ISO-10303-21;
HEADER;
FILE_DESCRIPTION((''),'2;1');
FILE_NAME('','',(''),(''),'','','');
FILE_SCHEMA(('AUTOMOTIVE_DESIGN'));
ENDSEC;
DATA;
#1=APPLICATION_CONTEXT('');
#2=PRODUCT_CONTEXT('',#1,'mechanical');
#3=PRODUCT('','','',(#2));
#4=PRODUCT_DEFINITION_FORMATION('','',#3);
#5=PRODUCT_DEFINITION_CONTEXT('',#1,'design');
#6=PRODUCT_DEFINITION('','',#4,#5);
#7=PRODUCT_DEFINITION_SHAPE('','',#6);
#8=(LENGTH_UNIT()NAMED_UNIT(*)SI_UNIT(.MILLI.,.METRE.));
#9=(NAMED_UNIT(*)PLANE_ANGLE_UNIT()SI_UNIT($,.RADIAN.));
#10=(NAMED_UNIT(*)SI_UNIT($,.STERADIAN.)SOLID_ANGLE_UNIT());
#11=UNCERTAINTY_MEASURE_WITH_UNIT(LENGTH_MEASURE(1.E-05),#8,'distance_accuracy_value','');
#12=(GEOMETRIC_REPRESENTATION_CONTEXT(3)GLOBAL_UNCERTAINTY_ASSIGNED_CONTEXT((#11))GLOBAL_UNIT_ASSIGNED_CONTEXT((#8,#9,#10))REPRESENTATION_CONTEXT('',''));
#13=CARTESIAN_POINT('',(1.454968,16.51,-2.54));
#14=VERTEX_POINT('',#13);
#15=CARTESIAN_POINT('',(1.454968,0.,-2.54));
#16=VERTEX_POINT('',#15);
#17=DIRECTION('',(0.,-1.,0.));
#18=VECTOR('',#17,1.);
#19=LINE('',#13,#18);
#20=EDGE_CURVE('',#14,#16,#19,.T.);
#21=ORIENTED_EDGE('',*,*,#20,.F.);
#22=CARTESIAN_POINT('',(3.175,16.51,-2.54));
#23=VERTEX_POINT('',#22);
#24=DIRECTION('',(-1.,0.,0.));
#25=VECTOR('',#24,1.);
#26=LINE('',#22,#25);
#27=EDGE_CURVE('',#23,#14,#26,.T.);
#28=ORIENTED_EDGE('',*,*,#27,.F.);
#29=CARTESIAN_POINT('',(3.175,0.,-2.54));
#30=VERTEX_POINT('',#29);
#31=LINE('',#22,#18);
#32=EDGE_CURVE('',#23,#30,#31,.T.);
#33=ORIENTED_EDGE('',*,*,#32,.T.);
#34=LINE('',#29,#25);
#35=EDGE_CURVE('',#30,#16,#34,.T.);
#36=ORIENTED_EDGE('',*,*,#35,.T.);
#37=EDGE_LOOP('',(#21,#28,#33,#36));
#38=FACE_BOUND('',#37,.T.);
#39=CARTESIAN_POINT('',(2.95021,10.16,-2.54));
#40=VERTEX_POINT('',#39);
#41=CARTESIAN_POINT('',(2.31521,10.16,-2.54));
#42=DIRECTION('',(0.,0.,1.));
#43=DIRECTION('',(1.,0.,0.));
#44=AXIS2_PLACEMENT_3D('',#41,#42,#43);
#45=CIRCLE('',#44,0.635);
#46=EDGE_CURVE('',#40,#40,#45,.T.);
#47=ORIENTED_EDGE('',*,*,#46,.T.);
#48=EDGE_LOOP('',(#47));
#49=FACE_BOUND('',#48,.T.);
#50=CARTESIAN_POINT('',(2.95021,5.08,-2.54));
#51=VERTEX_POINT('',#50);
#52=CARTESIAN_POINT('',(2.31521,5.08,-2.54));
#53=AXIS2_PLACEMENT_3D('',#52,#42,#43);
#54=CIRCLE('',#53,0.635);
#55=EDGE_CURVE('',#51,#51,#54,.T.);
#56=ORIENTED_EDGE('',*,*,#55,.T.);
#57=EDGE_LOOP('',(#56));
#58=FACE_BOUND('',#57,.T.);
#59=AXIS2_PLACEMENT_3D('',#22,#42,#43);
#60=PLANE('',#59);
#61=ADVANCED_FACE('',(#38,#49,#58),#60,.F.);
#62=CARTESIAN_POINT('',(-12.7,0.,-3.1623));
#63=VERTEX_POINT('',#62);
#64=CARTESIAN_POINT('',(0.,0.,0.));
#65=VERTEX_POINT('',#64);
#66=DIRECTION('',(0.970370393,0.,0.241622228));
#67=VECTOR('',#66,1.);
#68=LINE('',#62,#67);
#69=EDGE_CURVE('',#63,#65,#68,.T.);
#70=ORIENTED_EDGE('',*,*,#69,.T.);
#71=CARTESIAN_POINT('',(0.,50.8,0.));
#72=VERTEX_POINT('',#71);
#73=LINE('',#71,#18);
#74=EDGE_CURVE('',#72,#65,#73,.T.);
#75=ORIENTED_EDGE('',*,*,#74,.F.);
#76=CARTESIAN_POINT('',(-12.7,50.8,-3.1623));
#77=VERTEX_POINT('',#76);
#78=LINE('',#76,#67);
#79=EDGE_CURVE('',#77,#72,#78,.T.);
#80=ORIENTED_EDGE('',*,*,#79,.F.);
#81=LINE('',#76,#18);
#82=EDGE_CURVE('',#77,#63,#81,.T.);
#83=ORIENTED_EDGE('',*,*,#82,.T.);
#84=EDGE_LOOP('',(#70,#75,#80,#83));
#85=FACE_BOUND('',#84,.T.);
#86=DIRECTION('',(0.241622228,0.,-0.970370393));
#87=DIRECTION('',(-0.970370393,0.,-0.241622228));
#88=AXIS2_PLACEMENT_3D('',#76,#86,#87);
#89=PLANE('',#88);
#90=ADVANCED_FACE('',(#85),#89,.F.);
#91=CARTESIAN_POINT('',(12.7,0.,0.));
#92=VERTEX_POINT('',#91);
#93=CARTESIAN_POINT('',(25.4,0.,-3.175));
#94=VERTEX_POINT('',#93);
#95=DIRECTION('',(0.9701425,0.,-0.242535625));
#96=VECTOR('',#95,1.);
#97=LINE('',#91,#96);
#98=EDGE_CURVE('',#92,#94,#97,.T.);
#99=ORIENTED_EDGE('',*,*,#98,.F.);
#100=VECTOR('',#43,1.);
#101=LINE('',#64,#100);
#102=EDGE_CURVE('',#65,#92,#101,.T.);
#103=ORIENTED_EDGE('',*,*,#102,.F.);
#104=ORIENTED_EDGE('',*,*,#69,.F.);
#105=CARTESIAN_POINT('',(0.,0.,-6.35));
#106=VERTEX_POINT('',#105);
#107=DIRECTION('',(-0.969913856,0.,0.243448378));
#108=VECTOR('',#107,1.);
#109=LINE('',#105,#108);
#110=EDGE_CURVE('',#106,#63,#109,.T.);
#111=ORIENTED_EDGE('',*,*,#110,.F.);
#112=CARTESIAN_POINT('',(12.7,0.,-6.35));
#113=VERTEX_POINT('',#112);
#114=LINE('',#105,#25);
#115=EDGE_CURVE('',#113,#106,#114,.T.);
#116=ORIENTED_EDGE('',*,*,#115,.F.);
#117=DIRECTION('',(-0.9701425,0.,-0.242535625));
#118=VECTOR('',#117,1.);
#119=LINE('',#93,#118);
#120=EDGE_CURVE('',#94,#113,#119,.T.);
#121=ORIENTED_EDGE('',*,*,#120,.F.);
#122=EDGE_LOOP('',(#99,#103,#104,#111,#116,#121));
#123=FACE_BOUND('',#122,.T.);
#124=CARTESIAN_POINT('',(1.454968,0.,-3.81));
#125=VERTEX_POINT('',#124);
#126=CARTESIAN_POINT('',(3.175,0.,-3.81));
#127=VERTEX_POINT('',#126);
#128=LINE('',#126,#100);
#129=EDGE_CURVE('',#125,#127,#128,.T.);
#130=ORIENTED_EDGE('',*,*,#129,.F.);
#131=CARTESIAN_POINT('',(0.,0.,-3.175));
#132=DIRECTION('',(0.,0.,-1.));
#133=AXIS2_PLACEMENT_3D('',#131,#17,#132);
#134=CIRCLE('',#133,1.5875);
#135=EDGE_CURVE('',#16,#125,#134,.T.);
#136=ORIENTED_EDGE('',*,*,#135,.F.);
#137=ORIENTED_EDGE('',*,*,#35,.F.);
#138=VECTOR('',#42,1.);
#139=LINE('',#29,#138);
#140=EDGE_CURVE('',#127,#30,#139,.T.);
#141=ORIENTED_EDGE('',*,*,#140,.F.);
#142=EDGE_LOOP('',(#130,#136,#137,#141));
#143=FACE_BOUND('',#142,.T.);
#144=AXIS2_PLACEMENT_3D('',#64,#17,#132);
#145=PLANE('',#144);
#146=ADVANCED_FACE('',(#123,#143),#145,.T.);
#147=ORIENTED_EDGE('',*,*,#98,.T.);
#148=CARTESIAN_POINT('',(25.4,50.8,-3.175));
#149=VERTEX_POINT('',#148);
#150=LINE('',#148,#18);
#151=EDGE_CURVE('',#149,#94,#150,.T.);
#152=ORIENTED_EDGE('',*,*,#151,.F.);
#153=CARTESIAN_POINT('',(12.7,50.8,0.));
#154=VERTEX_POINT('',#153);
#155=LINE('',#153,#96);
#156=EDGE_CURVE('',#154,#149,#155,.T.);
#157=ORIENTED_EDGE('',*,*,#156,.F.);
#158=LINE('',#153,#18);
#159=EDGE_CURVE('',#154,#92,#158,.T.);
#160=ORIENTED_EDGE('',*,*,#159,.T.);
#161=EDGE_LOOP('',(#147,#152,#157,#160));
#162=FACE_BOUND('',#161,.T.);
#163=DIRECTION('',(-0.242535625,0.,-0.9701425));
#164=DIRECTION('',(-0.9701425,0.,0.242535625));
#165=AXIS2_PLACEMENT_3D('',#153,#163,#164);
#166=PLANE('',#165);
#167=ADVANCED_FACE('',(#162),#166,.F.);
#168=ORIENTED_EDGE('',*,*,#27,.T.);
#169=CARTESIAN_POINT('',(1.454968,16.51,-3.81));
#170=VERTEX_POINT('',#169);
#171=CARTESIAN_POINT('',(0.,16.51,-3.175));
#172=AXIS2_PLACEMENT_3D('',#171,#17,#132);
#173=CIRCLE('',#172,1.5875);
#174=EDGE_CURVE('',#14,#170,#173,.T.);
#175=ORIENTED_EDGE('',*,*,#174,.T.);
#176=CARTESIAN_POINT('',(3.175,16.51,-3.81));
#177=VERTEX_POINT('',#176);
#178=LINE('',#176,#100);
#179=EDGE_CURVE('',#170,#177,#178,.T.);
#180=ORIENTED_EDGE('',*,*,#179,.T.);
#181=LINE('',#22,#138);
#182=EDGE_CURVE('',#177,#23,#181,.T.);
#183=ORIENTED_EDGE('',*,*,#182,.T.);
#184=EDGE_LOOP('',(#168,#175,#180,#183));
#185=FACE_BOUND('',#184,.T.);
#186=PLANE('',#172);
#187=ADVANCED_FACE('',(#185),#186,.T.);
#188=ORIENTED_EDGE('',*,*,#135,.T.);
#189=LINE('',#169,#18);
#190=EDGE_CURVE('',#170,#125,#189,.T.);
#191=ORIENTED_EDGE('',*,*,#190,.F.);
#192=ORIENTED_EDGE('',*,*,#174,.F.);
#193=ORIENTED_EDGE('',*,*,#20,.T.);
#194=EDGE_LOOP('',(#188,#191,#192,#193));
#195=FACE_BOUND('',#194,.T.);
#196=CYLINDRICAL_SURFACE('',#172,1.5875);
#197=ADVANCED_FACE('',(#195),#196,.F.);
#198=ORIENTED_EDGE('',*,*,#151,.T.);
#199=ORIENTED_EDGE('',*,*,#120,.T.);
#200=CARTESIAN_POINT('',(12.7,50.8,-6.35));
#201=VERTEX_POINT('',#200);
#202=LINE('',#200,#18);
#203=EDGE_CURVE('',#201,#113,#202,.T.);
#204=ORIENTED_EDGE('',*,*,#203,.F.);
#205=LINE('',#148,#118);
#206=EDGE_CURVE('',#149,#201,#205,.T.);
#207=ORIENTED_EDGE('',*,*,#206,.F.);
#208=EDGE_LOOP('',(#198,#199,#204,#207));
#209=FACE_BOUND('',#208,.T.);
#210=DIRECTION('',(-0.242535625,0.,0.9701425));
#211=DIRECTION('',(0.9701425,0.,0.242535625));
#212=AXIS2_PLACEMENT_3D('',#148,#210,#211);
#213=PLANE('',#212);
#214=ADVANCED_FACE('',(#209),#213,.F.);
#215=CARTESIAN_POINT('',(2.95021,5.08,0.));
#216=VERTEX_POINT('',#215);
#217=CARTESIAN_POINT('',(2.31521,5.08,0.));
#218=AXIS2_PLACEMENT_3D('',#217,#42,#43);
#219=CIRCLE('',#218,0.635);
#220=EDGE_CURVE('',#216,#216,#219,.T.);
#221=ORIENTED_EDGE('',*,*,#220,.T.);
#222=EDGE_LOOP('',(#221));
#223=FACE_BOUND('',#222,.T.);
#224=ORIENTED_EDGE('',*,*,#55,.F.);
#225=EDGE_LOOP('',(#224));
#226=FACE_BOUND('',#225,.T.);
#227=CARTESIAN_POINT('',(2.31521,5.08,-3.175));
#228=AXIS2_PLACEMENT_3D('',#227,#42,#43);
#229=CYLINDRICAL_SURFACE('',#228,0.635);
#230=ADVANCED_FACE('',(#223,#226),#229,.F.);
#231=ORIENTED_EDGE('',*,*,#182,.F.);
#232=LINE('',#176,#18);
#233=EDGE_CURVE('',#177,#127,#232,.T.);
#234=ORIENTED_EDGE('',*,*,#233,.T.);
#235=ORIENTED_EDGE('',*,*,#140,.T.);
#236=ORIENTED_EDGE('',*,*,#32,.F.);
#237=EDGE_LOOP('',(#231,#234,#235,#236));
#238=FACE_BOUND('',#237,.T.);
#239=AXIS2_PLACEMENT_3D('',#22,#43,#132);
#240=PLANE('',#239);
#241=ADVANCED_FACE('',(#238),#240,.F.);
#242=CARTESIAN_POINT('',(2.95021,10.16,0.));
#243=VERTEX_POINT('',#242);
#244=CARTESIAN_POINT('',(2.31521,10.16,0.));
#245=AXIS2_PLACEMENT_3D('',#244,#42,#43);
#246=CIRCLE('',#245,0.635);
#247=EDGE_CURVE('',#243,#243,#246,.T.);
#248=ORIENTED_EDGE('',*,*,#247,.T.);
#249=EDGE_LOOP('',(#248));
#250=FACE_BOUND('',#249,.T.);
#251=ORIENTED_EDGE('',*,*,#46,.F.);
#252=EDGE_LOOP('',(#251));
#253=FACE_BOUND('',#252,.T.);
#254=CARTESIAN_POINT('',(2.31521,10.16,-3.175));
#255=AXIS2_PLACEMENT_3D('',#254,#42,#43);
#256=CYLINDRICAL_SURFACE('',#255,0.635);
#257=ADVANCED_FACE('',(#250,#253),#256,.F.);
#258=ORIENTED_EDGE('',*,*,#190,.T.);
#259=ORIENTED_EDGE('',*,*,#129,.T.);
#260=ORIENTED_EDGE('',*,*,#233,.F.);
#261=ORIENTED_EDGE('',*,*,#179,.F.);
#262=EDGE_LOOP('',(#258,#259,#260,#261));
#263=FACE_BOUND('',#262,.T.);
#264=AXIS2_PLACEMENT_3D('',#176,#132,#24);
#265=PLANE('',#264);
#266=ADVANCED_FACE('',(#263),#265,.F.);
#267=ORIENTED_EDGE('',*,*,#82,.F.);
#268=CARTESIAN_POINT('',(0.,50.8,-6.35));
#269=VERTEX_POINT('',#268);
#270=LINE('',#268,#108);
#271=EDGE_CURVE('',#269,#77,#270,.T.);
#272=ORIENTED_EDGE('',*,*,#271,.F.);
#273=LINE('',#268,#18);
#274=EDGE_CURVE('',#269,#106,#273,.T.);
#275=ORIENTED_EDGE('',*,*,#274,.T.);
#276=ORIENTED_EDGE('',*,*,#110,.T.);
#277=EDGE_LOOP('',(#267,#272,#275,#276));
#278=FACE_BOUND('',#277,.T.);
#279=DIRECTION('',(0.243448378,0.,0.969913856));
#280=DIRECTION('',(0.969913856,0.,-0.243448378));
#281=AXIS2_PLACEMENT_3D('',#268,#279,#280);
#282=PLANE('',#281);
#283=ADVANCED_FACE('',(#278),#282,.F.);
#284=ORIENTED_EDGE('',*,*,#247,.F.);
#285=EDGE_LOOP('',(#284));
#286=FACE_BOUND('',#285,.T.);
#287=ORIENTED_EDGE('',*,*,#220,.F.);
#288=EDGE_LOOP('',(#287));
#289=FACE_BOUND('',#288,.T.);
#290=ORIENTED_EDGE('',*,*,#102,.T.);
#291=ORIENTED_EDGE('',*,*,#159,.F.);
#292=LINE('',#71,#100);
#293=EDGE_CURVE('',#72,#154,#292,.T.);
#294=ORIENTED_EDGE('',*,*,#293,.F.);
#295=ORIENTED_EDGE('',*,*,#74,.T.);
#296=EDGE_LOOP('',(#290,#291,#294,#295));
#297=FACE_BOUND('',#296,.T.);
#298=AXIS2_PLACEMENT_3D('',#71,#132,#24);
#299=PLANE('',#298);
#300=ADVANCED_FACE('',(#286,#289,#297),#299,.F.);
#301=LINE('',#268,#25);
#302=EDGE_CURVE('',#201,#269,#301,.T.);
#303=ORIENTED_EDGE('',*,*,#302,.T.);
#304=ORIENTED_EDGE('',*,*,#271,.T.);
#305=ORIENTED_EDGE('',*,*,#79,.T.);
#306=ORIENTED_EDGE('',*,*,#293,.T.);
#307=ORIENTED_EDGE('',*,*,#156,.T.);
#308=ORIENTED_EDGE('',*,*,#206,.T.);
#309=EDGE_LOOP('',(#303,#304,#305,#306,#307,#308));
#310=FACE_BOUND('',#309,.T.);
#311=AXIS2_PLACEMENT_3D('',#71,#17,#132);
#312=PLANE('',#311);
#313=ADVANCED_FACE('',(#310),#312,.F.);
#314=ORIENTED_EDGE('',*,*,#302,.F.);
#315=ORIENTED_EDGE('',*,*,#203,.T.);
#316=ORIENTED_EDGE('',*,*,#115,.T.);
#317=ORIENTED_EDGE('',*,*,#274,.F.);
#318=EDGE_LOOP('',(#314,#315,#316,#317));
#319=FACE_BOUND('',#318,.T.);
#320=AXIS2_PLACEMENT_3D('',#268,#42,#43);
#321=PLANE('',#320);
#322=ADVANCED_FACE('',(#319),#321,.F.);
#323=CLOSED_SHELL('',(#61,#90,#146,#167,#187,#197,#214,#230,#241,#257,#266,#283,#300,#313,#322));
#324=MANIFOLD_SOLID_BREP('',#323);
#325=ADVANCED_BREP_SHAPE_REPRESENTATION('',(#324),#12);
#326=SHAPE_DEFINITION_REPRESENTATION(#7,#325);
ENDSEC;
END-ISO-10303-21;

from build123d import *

# Parameters (mm, degrees)
BOSS_EXTRUDE1_DEPTH = 50.8
CUT_EXTRUDE1_DEPTH  = 16.51
SKETCH3_R           = 0.635
CUT_EXTRUDE2_DEPTH  = 3.175


with BuildPart() as part:
    # Sketch1 → Boss-Extrude1 (new body)
    with BuildSketch(Plane(origin=(0, 0, 0), x_dir=(1, 0, 0), z_dir=(0, 1, 0))):
        Polygon((0, 6.35), (-12.7, 3.1623), (0, 0), (12.7, 0), (25.4, 3.175), (12.7, 6.35), align=None)
    extrude(amount=BOSS_EXTRUDE1_DEPTH)

    # Sketch2 → Cut-Extrude1 (cut)
    with BuildSketch(Plane.XZ):
        with BuildLine():
            Line((3.175, -2.54), (3.175, -3.81))
            Line((3.175, -3.81), (1.454967783, -3.81))
            ThreePointArc((1.454967783, -3.81), (-1.5875, -3.175), (1.454967783, -2.54))
            Line((1.454967783, -2.54), (3.175, -2.54))
        make_face()
    extrude(amount=-CUT_EXTRUDE1_DEPTH, mode=Mode.SUBTRACT)

    # Sketch3 → Cut-Extrude2 (cut)
    with BuildSketch(Plane.XY):
        with Locations((2.31521, 5.08)):
            Circle(SKETCH3_R)
        with Locations((2.31521, 10.16)):
            Circle(SKETCH3_R)
    extrude(amount=-CUT_EXTRUDE2_DEPTH, mode=Mode.SUBTRACT)


solid = part.part
